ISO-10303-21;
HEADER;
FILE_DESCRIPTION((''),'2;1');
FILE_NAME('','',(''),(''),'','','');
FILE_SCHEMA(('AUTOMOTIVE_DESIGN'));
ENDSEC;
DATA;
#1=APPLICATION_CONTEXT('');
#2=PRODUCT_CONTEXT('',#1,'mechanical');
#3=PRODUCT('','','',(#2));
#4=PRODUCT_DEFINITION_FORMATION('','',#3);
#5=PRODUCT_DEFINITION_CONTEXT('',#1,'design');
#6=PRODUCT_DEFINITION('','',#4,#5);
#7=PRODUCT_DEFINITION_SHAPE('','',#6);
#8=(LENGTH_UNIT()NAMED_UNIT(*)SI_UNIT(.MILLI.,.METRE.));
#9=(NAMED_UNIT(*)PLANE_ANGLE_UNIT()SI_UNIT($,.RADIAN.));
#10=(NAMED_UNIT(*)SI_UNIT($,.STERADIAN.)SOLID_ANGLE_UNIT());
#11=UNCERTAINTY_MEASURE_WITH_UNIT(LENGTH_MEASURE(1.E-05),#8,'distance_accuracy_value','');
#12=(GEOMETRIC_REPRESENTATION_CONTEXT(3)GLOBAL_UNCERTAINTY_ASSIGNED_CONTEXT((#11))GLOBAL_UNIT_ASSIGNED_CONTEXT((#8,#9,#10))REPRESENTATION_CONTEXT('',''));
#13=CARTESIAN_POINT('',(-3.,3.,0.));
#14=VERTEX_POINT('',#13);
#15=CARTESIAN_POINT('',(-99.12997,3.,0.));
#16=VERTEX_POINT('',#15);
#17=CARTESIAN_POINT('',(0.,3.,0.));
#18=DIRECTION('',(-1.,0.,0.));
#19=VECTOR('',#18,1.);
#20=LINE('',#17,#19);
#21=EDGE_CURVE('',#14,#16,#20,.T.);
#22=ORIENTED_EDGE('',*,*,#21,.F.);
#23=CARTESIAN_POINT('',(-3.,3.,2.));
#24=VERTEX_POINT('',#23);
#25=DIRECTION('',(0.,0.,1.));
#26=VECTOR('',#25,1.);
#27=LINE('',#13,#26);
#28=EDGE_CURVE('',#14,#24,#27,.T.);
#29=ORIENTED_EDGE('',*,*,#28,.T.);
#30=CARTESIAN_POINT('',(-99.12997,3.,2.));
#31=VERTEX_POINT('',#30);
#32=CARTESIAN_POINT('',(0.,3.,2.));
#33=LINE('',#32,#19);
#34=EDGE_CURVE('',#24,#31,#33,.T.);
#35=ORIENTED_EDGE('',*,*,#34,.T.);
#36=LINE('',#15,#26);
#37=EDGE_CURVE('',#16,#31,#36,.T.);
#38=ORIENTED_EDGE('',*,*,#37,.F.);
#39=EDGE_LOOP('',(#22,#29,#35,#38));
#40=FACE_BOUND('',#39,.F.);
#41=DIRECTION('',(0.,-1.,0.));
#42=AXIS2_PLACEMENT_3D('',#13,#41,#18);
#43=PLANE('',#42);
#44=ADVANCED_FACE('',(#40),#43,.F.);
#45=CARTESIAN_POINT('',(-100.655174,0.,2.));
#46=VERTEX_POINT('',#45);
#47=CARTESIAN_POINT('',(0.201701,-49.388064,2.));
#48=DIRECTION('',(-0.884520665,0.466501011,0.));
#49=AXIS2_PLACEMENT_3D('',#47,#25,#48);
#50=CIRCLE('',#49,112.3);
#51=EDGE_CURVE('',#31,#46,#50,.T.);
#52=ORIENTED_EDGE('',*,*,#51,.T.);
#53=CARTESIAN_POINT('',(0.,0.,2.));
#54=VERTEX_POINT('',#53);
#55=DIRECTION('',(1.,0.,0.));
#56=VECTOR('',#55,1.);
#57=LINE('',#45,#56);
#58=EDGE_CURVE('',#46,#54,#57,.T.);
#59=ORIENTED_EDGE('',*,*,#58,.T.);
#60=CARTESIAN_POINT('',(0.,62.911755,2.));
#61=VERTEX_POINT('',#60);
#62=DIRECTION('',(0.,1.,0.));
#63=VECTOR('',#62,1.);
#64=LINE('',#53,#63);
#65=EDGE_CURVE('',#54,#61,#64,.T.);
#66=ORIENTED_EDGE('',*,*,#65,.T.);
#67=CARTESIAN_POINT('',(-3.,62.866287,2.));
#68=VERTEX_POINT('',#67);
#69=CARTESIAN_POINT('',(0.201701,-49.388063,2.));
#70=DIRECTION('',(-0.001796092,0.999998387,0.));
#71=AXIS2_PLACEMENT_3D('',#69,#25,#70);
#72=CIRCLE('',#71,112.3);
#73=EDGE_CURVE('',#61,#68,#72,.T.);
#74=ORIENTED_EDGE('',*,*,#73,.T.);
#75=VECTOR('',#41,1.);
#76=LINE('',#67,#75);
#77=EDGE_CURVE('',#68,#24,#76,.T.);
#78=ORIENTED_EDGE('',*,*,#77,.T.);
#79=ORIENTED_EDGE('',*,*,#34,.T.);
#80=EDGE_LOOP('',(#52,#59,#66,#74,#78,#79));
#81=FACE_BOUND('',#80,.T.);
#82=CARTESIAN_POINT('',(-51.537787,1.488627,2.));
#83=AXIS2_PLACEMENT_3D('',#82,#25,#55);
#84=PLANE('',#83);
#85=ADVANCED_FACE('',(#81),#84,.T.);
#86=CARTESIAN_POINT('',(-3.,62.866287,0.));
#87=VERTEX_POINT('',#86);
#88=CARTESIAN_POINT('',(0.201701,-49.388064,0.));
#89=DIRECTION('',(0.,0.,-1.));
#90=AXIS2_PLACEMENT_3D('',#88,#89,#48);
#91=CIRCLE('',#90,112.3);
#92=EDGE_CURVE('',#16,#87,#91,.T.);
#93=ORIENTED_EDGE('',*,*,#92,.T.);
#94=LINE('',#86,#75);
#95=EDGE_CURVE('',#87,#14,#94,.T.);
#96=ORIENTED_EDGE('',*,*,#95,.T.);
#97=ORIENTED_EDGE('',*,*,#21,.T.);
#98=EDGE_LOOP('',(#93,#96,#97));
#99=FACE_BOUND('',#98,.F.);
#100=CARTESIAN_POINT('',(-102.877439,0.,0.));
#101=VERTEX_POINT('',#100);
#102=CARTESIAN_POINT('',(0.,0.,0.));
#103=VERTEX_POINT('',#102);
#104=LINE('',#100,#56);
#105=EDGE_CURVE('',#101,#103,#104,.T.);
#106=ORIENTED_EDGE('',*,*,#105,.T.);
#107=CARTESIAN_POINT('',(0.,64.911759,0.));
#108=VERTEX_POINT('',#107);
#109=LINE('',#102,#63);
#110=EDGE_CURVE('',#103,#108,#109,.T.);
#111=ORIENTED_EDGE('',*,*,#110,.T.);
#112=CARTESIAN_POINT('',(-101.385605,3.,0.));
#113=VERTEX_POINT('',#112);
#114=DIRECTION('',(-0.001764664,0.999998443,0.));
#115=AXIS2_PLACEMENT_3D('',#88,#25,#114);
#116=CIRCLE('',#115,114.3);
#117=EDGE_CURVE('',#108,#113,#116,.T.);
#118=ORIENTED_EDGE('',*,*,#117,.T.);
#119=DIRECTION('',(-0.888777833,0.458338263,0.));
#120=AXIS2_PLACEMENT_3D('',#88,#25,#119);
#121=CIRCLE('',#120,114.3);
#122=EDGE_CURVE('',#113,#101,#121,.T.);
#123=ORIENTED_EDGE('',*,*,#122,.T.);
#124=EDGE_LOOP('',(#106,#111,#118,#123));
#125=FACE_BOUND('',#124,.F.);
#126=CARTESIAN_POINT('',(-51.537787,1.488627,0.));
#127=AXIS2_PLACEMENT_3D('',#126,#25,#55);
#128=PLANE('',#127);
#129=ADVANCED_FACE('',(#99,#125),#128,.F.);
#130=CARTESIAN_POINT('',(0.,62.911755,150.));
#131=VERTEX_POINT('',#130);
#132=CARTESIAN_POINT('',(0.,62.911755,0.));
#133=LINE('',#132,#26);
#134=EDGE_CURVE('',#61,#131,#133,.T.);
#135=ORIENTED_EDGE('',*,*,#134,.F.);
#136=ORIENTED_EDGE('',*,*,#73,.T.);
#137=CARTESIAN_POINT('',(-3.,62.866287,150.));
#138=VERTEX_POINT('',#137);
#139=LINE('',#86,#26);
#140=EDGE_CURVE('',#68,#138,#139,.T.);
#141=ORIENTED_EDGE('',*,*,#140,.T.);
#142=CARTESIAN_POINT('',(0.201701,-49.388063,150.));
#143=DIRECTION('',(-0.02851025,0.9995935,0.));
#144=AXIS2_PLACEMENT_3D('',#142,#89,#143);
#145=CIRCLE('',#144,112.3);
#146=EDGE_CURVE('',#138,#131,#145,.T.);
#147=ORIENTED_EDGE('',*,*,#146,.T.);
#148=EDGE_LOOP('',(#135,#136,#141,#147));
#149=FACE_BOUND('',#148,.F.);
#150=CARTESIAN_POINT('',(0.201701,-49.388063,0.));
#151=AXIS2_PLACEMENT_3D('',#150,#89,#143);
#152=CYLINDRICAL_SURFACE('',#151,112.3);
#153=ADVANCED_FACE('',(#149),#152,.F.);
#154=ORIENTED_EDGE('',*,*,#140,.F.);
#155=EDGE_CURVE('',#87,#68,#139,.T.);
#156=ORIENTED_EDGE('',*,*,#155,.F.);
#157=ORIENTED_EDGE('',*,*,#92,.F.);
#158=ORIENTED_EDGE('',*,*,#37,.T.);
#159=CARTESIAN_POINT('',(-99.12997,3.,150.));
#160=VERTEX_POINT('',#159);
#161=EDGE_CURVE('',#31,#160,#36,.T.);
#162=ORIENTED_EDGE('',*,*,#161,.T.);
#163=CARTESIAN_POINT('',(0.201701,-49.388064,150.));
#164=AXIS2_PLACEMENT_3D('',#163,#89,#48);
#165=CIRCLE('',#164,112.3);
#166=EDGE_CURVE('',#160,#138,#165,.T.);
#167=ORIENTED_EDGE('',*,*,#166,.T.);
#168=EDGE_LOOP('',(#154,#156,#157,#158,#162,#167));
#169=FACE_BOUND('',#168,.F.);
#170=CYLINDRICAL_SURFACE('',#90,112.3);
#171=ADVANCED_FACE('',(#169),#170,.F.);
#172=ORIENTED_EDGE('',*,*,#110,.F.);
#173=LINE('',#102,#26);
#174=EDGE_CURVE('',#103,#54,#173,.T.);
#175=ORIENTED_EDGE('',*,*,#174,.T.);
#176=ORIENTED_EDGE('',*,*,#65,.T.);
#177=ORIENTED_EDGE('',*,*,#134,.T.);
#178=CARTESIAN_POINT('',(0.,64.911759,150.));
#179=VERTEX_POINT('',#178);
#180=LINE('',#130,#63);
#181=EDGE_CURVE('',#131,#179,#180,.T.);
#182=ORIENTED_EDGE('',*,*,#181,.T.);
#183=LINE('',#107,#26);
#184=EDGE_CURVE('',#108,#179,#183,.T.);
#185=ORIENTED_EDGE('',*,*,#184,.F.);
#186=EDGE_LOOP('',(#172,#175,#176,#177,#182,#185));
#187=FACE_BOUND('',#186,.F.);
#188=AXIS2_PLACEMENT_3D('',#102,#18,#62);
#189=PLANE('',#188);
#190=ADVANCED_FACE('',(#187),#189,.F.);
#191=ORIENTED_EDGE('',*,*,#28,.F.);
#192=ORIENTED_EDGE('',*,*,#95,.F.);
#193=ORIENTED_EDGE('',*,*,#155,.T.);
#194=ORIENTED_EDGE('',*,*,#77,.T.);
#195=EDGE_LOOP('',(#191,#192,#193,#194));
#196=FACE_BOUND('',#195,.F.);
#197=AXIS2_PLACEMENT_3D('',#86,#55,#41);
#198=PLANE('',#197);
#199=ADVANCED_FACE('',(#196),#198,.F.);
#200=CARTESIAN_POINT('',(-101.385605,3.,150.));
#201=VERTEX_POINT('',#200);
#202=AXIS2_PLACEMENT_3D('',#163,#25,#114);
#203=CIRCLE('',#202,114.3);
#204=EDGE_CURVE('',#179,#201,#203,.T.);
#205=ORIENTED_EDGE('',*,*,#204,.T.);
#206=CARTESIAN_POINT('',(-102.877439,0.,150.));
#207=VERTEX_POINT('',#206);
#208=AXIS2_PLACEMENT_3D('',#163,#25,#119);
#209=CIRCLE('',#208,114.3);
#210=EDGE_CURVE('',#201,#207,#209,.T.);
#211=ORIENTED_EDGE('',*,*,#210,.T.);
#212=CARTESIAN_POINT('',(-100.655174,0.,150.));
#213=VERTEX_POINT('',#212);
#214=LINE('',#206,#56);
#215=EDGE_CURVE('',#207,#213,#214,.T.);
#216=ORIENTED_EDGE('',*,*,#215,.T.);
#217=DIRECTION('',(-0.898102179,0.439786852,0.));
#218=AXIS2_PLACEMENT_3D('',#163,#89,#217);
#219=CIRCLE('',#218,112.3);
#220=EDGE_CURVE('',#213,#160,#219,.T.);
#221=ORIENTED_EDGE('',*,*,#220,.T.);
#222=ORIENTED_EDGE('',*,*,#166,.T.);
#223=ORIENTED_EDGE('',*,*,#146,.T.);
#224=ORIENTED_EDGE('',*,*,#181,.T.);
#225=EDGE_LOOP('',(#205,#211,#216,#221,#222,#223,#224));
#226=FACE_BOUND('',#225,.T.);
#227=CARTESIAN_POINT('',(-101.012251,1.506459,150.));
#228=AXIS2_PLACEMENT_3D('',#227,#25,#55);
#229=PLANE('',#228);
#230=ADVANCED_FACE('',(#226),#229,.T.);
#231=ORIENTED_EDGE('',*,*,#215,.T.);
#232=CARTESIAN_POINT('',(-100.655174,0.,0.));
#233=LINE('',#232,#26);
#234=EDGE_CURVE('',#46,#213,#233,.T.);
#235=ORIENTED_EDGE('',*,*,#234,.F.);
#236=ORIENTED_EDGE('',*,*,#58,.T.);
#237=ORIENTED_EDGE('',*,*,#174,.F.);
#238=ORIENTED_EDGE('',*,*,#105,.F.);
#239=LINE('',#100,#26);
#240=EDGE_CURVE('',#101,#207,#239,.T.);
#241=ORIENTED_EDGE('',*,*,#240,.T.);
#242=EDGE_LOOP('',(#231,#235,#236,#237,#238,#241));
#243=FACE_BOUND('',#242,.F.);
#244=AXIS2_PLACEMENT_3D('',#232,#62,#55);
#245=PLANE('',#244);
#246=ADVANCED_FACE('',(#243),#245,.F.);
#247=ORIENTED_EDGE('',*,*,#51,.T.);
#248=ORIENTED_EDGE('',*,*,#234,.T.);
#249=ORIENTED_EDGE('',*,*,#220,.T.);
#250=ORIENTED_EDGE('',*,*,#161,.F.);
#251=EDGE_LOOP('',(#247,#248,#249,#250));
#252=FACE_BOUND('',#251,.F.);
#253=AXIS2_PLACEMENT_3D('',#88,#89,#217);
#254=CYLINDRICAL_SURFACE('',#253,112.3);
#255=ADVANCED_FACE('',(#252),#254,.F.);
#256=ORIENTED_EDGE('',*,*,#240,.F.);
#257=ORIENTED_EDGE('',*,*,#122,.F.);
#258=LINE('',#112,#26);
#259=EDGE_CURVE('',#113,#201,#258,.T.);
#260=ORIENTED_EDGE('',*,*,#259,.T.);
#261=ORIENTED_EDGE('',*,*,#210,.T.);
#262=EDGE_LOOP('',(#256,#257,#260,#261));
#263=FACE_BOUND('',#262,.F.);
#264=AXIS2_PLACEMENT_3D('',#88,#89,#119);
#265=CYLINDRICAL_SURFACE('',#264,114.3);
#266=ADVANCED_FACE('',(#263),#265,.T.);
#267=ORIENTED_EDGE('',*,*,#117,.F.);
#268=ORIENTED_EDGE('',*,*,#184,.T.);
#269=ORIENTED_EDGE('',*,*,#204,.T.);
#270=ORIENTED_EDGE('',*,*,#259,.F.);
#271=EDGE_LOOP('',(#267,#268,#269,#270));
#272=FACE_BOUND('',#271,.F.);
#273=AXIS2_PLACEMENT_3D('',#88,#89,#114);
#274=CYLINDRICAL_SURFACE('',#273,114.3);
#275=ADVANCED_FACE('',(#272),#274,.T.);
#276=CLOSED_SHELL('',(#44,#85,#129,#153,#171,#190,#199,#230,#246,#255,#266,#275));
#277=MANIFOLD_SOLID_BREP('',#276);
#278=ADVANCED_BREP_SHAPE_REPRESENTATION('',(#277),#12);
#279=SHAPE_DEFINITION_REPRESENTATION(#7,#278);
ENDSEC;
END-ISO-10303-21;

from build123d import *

# Parameters (mm, degrees)
F1_DEPTH = 150
F0_W     = 3
F0_H     = 3
F2_DEPTH = 2


with BuildPart() as f1:
    # F0 (on Top) → F1 (new body)
    with BuildSketch(Plane.XY):
        with BuildLine():
            ThreePointArc((-101.3856051901, 3), (-102.142515139, 1.505466531), (-102.8774392745, 0))
            Line((-102.8774392745, 0), (-100.6551736304, 0))
            ThreePointArc((-100.6551736304, 0), (-99.9038103766, 1.5057138076), (-99.1299695762, 3))
            Line((-99.1299695762, 3), (-101.3856051901, 3))
        make_face()
        with BuildLine():
            Line((0, 62.9117553468), (0, 64.9117585163))
            ThreePointArc((0, 64.9117585163), (-59.3677287014, 48.1617854438), (-101.3856051901, 3))
            Line((-101.3856051901, 3), (-99.1299695762, 3))
            ThreePointArc((-99.1299695762, 3), (-59.1638288673, 45.9378188594), (-3, 62.8662865554))
            ThreePointArc((-3, 62.8662865554), (-1.5001518568, 62.8990403581), (0, 62.9117553468))
        make_face()
    extrude(amount=F1_DEPTH)

    # F0 (on Top) → F2 (join)
    with BuildSketch(Plane.XY):
        with BuildLine():
            ThreePointArc((-99.1299695762, 3), (-99.9038103766, 1.5057138076), (-100.6551736304, 0))
            Line((-100.6551736304, 0), (-3, 0))
            Line((-3, 0), (-3, 3))
            Line((-3, 3), (-99.1299695762, 3))
        make_face()
        with Locations((-1.5, 1.5)):
            Rectangle(F0_W, F0_H)
        with BuildLine():
            Line((0, 3), (0, 62.9117553468))
            ThreePointArc((0, 62.9117553468), (-1.5001518568, 62.8990403581), (-3, 62.8662865554))
            Line((-3, 62.8662865554), (-3, 3))
            Line((-3, 3), (0, 3))
        make_face()
    extrude(amount=F2_DEPTH)


solid = f1.part
